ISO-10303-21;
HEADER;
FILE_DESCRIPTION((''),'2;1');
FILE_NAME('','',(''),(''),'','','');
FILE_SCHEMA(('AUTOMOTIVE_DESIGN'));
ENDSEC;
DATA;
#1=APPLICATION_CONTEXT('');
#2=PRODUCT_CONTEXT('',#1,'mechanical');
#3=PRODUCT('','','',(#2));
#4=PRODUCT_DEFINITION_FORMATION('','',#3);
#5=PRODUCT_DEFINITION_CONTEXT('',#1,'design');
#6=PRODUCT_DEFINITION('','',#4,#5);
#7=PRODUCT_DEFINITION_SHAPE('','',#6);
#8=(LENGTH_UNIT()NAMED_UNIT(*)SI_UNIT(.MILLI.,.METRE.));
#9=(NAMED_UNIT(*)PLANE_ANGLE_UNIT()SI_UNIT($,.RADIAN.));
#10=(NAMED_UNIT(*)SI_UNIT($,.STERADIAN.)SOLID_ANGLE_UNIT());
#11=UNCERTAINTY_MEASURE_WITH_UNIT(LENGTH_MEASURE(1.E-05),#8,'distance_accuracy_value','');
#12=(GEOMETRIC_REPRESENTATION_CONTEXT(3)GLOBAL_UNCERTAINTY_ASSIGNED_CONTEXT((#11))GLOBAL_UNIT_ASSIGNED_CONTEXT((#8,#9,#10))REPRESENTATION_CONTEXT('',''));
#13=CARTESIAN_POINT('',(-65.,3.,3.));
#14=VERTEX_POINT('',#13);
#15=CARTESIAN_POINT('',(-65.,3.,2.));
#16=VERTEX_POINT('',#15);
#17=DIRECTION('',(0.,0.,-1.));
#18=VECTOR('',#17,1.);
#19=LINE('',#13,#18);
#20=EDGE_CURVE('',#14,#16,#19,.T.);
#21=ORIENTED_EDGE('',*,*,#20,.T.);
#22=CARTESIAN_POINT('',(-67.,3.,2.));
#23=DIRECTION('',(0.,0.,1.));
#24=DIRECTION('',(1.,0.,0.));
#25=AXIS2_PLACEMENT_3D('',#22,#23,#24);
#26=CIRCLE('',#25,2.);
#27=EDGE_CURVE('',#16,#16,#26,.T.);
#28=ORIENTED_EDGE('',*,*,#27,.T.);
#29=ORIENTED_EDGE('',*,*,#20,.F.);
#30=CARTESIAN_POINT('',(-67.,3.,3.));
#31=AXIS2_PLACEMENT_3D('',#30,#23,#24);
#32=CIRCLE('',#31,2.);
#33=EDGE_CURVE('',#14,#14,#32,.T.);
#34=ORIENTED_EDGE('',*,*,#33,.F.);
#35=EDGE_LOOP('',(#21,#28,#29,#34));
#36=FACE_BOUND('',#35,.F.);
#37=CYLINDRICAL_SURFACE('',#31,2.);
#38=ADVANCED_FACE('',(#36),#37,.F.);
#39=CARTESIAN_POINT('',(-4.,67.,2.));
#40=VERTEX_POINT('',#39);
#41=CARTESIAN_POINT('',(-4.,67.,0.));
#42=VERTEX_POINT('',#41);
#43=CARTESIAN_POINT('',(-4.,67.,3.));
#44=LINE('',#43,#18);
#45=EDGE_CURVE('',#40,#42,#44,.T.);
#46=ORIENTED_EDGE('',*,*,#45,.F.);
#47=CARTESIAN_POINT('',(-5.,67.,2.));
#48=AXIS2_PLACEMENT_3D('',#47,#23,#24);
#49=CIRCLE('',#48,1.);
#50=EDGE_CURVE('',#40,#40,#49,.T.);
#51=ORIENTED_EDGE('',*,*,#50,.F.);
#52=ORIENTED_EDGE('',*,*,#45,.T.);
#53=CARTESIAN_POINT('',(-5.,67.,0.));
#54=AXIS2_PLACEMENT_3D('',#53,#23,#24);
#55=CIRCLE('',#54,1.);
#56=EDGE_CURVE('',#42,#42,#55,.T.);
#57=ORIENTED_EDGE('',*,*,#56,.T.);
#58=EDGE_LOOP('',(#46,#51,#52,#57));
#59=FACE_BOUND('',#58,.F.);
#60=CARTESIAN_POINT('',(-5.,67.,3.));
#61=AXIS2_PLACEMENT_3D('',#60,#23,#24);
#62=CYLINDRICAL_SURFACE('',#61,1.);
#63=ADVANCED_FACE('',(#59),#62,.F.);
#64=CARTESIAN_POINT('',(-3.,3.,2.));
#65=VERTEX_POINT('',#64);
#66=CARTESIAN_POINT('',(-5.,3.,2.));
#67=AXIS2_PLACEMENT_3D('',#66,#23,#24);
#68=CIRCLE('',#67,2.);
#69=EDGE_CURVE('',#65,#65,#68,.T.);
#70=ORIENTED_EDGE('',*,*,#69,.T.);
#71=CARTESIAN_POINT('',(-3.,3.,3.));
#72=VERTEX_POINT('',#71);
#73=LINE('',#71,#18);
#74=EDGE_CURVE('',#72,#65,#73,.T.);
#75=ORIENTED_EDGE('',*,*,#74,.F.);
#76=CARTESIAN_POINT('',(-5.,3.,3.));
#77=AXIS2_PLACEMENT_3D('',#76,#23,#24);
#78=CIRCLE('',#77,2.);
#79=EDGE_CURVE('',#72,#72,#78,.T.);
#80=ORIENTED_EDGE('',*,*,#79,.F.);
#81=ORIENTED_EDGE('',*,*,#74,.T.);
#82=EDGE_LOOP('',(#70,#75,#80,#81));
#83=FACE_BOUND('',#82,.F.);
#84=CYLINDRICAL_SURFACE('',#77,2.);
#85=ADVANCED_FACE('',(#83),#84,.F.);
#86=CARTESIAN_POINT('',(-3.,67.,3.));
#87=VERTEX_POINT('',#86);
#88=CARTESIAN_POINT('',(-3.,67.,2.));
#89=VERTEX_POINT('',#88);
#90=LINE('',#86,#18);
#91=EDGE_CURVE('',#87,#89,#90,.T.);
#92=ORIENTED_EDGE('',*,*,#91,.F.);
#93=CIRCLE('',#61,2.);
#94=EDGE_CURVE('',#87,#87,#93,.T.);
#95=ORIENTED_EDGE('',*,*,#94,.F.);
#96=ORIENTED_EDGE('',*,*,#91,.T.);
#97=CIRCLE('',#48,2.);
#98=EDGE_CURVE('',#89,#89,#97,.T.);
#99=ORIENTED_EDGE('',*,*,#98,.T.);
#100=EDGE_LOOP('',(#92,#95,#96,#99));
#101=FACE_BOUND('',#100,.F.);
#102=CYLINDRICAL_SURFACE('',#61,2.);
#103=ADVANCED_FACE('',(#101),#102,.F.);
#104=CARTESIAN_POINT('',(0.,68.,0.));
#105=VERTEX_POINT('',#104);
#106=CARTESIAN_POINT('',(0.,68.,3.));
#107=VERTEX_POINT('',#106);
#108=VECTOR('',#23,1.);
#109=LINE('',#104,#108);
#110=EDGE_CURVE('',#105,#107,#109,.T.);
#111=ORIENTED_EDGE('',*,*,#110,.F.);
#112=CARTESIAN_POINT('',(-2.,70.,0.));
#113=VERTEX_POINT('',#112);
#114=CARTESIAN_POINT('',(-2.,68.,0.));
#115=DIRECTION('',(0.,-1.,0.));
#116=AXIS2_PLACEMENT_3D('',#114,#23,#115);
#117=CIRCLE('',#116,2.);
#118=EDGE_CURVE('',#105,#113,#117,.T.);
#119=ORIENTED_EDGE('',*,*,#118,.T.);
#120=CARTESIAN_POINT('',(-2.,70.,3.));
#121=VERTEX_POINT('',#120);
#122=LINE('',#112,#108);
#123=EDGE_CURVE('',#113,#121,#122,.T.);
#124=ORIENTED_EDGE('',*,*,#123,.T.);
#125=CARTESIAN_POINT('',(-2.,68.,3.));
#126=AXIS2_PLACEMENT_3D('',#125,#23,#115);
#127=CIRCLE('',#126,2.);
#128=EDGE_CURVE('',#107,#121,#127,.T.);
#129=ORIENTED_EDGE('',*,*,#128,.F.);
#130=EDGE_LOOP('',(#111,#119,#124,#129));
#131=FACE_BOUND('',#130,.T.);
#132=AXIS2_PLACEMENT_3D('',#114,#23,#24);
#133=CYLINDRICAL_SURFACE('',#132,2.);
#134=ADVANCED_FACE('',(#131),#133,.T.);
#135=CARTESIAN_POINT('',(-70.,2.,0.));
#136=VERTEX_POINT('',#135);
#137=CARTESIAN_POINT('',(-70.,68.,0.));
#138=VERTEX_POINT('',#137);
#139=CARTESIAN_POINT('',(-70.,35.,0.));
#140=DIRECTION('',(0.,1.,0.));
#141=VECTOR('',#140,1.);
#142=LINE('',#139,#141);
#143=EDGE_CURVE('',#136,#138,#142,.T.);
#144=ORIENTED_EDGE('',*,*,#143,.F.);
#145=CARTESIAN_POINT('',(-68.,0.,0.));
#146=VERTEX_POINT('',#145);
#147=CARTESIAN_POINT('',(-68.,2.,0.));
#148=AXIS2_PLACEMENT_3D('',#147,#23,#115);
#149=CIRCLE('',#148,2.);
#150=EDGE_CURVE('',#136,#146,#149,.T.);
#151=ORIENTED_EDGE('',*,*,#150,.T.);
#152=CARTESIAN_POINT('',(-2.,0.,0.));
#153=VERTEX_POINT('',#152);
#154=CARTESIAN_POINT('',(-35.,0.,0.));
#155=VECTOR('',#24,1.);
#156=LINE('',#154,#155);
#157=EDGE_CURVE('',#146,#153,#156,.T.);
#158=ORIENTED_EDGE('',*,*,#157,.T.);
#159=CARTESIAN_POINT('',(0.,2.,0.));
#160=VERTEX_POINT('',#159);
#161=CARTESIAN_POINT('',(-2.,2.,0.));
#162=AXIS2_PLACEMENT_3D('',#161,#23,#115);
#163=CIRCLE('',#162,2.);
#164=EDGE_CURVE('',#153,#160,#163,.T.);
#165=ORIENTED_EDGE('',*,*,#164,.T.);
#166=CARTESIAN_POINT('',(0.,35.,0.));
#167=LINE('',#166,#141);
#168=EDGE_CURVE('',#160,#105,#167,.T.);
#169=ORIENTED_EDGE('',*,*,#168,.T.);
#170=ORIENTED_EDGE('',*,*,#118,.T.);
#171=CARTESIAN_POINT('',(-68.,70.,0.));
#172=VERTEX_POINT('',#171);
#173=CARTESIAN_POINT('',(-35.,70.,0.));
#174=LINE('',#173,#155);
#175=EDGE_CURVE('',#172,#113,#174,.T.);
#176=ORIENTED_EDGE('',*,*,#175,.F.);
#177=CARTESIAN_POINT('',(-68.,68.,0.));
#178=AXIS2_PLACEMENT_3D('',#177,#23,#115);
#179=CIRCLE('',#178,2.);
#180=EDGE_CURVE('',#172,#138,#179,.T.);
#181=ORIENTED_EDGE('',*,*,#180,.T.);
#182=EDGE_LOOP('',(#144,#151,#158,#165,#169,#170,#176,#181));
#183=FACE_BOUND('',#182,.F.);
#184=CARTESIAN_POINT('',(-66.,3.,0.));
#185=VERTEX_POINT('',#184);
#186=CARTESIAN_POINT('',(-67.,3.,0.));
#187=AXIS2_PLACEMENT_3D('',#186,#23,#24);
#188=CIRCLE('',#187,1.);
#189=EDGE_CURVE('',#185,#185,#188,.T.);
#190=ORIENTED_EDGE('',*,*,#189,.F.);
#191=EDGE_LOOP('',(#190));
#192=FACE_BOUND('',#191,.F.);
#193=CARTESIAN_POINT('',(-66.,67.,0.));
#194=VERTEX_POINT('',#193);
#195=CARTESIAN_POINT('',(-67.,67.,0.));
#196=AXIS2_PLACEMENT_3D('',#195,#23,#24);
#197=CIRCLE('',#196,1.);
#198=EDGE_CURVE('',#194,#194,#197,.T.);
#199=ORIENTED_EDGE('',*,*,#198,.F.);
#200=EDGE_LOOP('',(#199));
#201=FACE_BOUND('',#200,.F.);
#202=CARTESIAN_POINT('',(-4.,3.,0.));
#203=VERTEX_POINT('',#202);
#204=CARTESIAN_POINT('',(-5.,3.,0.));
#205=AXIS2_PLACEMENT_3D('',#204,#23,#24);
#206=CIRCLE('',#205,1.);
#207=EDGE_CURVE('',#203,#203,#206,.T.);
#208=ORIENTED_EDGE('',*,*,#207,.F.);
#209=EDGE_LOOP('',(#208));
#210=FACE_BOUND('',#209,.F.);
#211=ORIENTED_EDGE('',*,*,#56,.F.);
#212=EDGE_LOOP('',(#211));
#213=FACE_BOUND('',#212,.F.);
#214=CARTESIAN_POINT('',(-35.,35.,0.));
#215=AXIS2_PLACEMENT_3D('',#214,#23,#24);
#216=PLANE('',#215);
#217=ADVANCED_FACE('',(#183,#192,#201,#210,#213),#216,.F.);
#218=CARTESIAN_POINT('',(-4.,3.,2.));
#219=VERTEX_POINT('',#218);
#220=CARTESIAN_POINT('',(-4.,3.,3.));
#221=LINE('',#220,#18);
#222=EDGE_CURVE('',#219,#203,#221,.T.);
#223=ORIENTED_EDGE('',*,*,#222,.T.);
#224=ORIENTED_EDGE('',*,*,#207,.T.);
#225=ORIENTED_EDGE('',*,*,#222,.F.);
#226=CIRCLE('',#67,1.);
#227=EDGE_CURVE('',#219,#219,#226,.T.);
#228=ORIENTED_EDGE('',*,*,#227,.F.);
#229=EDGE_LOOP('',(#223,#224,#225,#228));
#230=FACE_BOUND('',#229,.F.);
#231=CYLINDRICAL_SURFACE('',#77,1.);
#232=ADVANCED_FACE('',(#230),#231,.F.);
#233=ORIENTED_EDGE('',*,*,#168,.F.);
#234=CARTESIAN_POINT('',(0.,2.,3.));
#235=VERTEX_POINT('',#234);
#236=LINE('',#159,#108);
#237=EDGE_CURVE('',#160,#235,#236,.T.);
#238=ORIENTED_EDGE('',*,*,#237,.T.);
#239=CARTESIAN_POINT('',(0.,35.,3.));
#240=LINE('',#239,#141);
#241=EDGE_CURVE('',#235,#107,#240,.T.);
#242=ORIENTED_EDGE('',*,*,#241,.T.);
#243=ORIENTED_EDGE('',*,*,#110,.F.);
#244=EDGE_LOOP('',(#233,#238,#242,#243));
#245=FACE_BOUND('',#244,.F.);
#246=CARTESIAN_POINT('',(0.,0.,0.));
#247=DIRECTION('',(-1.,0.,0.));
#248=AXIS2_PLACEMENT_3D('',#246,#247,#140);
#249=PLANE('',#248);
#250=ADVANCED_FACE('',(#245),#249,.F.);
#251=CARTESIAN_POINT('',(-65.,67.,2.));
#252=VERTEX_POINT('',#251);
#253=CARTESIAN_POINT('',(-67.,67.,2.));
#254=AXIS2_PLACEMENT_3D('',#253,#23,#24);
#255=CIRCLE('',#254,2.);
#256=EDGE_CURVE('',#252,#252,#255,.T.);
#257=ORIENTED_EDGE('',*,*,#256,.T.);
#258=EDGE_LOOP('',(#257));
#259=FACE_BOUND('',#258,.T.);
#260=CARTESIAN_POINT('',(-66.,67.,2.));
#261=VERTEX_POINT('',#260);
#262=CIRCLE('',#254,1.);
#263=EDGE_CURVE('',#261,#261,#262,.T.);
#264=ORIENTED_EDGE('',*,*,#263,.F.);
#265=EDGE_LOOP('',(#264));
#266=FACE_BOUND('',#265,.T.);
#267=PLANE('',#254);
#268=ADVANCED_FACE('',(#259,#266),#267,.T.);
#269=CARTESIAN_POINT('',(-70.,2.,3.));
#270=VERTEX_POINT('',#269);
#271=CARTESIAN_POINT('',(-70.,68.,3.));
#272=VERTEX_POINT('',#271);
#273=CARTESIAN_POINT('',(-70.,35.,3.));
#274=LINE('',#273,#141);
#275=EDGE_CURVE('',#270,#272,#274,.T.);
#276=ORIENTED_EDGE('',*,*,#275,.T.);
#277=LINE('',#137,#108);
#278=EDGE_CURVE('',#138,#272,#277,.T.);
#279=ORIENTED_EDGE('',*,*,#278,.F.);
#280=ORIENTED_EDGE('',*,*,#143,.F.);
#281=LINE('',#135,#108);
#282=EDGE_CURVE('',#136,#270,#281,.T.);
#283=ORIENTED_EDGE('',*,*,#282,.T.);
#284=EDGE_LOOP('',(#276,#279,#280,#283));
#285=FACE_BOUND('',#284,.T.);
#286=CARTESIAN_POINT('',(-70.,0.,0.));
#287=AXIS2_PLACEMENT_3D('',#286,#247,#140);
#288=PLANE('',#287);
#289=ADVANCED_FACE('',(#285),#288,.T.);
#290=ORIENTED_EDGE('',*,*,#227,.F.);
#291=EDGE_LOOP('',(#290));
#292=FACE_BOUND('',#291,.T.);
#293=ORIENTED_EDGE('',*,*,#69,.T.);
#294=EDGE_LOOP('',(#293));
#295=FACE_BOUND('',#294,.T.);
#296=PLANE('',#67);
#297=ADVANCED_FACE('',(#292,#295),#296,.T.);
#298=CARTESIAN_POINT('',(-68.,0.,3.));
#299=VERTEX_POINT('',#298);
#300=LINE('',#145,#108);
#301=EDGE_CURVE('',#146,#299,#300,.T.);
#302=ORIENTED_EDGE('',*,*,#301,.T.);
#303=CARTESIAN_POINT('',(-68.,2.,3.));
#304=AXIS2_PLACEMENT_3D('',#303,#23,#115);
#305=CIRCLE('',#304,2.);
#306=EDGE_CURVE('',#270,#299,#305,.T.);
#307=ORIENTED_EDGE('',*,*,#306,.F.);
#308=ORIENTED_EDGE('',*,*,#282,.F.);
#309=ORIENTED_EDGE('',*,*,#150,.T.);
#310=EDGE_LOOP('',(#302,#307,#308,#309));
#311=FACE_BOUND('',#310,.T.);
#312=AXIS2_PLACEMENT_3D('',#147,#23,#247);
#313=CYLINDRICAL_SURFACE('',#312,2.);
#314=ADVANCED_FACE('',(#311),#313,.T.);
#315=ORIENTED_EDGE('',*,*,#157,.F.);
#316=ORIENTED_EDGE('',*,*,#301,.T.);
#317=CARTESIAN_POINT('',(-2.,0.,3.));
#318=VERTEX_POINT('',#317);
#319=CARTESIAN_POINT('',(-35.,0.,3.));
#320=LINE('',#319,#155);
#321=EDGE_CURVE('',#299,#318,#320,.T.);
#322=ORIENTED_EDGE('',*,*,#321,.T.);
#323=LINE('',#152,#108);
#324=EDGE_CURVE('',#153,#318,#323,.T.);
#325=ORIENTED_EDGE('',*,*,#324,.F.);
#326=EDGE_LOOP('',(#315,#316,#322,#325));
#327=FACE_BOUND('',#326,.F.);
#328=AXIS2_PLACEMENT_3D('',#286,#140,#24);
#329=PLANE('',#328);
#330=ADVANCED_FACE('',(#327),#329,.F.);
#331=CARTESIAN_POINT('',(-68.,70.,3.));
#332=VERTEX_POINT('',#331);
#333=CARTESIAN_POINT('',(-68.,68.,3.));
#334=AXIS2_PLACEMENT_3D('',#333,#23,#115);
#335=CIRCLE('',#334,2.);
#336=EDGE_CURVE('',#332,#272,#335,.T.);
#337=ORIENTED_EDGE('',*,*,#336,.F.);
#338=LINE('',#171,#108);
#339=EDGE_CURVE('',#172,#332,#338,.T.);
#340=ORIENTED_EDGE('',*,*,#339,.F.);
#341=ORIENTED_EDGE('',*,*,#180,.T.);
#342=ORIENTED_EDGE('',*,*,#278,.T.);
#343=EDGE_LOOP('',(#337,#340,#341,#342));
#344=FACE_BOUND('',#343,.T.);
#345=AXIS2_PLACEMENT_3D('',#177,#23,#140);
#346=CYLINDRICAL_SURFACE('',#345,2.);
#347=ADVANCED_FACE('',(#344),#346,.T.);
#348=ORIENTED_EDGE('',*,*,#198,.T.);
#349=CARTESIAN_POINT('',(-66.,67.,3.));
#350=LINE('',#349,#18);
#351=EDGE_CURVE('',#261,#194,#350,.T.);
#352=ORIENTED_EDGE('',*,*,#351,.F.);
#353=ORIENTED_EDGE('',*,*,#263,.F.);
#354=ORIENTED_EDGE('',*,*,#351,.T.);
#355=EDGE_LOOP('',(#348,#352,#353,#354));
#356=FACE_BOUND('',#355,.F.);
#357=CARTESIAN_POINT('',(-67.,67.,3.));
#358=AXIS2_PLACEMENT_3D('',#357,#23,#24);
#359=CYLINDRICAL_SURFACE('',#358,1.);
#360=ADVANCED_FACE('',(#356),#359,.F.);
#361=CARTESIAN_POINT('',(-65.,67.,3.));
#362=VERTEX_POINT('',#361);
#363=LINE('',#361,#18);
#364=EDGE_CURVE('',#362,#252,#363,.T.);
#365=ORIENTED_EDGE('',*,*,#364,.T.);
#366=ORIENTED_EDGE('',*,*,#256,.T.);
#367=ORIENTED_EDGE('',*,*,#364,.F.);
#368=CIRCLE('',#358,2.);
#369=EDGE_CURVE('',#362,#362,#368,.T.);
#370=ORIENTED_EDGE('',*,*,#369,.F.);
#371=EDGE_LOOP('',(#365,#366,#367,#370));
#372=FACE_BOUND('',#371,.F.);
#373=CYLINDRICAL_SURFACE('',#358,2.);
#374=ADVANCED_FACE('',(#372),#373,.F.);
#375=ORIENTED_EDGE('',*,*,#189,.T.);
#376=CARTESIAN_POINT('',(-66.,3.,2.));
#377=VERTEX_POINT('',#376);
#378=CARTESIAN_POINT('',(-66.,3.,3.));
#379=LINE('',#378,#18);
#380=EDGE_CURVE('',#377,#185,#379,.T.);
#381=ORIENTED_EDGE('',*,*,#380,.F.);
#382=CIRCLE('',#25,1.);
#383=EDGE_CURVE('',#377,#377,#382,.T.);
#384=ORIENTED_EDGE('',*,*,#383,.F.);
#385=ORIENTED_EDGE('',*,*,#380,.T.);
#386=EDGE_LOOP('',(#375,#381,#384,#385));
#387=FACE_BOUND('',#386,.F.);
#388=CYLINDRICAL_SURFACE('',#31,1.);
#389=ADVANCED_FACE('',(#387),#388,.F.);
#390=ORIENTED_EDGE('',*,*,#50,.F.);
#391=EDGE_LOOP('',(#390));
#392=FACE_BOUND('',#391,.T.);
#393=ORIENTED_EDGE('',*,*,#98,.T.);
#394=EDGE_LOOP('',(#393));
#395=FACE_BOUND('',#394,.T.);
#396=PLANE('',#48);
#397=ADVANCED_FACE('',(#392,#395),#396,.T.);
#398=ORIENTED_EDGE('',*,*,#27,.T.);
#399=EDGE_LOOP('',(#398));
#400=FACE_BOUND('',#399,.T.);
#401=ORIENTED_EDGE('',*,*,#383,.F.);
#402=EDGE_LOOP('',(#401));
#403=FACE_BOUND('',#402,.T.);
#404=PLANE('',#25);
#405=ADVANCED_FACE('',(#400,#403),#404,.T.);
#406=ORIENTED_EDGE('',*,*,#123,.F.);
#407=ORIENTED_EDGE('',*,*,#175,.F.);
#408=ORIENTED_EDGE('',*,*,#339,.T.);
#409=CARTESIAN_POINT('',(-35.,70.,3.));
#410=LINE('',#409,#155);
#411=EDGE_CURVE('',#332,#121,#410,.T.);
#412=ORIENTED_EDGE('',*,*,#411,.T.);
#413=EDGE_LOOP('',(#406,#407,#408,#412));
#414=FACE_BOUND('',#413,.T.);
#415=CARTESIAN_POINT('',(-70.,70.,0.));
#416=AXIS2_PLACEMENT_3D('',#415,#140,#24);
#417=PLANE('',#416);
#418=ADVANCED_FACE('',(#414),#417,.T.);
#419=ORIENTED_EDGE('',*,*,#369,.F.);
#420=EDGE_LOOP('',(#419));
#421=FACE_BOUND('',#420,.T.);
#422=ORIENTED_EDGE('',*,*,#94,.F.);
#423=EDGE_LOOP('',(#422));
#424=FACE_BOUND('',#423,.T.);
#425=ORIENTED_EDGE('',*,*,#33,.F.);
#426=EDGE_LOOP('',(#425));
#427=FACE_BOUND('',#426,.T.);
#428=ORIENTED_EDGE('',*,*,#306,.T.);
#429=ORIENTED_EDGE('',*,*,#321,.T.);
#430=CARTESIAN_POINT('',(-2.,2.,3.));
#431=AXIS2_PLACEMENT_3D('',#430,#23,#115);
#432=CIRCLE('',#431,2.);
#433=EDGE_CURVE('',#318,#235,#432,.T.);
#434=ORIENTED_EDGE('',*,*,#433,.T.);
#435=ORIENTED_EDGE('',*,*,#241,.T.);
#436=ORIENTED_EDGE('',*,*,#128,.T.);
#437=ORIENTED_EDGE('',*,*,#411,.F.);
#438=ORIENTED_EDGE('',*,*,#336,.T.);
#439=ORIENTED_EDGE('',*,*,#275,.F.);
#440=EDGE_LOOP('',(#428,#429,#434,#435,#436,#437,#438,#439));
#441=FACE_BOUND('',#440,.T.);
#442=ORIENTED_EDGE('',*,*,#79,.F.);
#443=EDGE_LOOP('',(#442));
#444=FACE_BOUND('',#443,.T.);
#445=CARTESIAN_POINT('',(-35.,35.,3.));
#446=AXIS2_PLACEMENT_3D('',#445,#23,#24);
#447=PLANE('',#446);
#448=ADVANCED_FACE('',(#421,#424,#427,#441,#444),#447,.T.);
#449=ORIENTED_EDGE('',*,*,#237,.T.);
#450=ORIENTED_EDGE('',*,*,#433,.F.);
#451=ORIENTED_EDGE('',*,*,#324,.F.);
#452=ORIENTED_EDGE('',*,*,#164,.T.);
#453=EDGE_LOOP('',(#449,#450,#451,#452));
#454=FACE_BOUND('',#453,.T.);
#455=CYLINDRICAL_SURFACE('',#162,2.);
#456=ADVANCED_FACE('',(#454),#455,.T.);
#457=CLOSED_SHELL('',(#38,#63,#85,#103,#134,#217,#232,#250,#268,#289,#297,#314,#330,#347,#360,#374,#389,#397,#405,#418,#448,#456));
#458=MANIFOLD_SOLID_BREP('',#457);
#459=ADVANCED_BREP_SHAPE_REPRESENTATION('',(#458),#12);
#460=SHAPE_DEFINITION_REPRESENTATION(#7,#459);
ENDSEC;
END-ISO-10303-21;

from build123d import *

# Parameters (mm, degrees)
SKETCH_W        = 70
SKETCH_H        = 70
PAD_DEPTH       = 3
FILLET_R        = 2
FILLET001_R     = 2
FILLET002_R     = 2
FILLET003_R     = 2
SKETCH001_R     = 1
POCKET_DEPTH    = 5
SKETCH002_R     = 2
POCKET001_DEPTH = 1


with BuildPart() as part:
    # Sketch → Pad (new body)
    with BuildSketch(Plane.XY):
        with Locations((-35, 35)):
            Rectangle(SKETCH_W, SKETCH_H)
    extrude(amount=PAD_DEPTH)

    # Fillet
    fillet_edges = [part.edges().sort_by_distance(p)[0] for p in [
        (0, 70, 1.5),
    ]]
    fillet(fillet_edges, radius=FILLET_R)

    # Fillet001
    fillet001_edges = [part.edges().sort_by_distance(p)[0] for p in [
        (-70, 70, 1.5),
    ]]
    fillet(fillet001_edges, radius=FILLET001_R)

    # Fillet002
    fillet002_edges = [part.edges().sort_by_distance(p)[0] for p in [
        (-70, 0, 1.5),
    ]]
    fillet(fillet002_edges, radius=FILLET002_R)

    # Fillet003
    fillet003_edges = [part.edges().sort_by_distance(p)[0] for p in [
        (0, 0, 1.5),
    ]]
    fillet(fillet003_edges, radius=FILLET003_R)

    # Sketch001 → Pocket (cut)
    with BuildSketch(Plane.XY.offset(3)):
        with Locations((-5, 67)):
            Circle(SKETCH001_R)
        with Locations((-67, 67)):
            Circle(SKETCH001_R)
        with Locations((-5, 3)):
            Circle(SKETCH001_R)
        with Locations((-67, 3)):
            Circle(SKETCH001_R)
    extrude(amount=-POCKET_DEPTH, mode=Mode.SUBTRACT)

    # Sketch002 → Pocket001 (cut)
    with BuildSketch(Plane.XY.offset(3)):
        with Locations((-67, 67)):
            Circle(SKETCH002_R)
        with Locations((-5, 67)):
            Circle(SKETCH002_R)
        with Locations((-67, 3)):
            Circle(SKETCH002_R)
        with Locations((-5, 3)):
            Circle(SKETCH002_R)
    extrude(amount=-POCKET001_DEPTH, mode=Mode.SUBTRACT)


solid = part.part
